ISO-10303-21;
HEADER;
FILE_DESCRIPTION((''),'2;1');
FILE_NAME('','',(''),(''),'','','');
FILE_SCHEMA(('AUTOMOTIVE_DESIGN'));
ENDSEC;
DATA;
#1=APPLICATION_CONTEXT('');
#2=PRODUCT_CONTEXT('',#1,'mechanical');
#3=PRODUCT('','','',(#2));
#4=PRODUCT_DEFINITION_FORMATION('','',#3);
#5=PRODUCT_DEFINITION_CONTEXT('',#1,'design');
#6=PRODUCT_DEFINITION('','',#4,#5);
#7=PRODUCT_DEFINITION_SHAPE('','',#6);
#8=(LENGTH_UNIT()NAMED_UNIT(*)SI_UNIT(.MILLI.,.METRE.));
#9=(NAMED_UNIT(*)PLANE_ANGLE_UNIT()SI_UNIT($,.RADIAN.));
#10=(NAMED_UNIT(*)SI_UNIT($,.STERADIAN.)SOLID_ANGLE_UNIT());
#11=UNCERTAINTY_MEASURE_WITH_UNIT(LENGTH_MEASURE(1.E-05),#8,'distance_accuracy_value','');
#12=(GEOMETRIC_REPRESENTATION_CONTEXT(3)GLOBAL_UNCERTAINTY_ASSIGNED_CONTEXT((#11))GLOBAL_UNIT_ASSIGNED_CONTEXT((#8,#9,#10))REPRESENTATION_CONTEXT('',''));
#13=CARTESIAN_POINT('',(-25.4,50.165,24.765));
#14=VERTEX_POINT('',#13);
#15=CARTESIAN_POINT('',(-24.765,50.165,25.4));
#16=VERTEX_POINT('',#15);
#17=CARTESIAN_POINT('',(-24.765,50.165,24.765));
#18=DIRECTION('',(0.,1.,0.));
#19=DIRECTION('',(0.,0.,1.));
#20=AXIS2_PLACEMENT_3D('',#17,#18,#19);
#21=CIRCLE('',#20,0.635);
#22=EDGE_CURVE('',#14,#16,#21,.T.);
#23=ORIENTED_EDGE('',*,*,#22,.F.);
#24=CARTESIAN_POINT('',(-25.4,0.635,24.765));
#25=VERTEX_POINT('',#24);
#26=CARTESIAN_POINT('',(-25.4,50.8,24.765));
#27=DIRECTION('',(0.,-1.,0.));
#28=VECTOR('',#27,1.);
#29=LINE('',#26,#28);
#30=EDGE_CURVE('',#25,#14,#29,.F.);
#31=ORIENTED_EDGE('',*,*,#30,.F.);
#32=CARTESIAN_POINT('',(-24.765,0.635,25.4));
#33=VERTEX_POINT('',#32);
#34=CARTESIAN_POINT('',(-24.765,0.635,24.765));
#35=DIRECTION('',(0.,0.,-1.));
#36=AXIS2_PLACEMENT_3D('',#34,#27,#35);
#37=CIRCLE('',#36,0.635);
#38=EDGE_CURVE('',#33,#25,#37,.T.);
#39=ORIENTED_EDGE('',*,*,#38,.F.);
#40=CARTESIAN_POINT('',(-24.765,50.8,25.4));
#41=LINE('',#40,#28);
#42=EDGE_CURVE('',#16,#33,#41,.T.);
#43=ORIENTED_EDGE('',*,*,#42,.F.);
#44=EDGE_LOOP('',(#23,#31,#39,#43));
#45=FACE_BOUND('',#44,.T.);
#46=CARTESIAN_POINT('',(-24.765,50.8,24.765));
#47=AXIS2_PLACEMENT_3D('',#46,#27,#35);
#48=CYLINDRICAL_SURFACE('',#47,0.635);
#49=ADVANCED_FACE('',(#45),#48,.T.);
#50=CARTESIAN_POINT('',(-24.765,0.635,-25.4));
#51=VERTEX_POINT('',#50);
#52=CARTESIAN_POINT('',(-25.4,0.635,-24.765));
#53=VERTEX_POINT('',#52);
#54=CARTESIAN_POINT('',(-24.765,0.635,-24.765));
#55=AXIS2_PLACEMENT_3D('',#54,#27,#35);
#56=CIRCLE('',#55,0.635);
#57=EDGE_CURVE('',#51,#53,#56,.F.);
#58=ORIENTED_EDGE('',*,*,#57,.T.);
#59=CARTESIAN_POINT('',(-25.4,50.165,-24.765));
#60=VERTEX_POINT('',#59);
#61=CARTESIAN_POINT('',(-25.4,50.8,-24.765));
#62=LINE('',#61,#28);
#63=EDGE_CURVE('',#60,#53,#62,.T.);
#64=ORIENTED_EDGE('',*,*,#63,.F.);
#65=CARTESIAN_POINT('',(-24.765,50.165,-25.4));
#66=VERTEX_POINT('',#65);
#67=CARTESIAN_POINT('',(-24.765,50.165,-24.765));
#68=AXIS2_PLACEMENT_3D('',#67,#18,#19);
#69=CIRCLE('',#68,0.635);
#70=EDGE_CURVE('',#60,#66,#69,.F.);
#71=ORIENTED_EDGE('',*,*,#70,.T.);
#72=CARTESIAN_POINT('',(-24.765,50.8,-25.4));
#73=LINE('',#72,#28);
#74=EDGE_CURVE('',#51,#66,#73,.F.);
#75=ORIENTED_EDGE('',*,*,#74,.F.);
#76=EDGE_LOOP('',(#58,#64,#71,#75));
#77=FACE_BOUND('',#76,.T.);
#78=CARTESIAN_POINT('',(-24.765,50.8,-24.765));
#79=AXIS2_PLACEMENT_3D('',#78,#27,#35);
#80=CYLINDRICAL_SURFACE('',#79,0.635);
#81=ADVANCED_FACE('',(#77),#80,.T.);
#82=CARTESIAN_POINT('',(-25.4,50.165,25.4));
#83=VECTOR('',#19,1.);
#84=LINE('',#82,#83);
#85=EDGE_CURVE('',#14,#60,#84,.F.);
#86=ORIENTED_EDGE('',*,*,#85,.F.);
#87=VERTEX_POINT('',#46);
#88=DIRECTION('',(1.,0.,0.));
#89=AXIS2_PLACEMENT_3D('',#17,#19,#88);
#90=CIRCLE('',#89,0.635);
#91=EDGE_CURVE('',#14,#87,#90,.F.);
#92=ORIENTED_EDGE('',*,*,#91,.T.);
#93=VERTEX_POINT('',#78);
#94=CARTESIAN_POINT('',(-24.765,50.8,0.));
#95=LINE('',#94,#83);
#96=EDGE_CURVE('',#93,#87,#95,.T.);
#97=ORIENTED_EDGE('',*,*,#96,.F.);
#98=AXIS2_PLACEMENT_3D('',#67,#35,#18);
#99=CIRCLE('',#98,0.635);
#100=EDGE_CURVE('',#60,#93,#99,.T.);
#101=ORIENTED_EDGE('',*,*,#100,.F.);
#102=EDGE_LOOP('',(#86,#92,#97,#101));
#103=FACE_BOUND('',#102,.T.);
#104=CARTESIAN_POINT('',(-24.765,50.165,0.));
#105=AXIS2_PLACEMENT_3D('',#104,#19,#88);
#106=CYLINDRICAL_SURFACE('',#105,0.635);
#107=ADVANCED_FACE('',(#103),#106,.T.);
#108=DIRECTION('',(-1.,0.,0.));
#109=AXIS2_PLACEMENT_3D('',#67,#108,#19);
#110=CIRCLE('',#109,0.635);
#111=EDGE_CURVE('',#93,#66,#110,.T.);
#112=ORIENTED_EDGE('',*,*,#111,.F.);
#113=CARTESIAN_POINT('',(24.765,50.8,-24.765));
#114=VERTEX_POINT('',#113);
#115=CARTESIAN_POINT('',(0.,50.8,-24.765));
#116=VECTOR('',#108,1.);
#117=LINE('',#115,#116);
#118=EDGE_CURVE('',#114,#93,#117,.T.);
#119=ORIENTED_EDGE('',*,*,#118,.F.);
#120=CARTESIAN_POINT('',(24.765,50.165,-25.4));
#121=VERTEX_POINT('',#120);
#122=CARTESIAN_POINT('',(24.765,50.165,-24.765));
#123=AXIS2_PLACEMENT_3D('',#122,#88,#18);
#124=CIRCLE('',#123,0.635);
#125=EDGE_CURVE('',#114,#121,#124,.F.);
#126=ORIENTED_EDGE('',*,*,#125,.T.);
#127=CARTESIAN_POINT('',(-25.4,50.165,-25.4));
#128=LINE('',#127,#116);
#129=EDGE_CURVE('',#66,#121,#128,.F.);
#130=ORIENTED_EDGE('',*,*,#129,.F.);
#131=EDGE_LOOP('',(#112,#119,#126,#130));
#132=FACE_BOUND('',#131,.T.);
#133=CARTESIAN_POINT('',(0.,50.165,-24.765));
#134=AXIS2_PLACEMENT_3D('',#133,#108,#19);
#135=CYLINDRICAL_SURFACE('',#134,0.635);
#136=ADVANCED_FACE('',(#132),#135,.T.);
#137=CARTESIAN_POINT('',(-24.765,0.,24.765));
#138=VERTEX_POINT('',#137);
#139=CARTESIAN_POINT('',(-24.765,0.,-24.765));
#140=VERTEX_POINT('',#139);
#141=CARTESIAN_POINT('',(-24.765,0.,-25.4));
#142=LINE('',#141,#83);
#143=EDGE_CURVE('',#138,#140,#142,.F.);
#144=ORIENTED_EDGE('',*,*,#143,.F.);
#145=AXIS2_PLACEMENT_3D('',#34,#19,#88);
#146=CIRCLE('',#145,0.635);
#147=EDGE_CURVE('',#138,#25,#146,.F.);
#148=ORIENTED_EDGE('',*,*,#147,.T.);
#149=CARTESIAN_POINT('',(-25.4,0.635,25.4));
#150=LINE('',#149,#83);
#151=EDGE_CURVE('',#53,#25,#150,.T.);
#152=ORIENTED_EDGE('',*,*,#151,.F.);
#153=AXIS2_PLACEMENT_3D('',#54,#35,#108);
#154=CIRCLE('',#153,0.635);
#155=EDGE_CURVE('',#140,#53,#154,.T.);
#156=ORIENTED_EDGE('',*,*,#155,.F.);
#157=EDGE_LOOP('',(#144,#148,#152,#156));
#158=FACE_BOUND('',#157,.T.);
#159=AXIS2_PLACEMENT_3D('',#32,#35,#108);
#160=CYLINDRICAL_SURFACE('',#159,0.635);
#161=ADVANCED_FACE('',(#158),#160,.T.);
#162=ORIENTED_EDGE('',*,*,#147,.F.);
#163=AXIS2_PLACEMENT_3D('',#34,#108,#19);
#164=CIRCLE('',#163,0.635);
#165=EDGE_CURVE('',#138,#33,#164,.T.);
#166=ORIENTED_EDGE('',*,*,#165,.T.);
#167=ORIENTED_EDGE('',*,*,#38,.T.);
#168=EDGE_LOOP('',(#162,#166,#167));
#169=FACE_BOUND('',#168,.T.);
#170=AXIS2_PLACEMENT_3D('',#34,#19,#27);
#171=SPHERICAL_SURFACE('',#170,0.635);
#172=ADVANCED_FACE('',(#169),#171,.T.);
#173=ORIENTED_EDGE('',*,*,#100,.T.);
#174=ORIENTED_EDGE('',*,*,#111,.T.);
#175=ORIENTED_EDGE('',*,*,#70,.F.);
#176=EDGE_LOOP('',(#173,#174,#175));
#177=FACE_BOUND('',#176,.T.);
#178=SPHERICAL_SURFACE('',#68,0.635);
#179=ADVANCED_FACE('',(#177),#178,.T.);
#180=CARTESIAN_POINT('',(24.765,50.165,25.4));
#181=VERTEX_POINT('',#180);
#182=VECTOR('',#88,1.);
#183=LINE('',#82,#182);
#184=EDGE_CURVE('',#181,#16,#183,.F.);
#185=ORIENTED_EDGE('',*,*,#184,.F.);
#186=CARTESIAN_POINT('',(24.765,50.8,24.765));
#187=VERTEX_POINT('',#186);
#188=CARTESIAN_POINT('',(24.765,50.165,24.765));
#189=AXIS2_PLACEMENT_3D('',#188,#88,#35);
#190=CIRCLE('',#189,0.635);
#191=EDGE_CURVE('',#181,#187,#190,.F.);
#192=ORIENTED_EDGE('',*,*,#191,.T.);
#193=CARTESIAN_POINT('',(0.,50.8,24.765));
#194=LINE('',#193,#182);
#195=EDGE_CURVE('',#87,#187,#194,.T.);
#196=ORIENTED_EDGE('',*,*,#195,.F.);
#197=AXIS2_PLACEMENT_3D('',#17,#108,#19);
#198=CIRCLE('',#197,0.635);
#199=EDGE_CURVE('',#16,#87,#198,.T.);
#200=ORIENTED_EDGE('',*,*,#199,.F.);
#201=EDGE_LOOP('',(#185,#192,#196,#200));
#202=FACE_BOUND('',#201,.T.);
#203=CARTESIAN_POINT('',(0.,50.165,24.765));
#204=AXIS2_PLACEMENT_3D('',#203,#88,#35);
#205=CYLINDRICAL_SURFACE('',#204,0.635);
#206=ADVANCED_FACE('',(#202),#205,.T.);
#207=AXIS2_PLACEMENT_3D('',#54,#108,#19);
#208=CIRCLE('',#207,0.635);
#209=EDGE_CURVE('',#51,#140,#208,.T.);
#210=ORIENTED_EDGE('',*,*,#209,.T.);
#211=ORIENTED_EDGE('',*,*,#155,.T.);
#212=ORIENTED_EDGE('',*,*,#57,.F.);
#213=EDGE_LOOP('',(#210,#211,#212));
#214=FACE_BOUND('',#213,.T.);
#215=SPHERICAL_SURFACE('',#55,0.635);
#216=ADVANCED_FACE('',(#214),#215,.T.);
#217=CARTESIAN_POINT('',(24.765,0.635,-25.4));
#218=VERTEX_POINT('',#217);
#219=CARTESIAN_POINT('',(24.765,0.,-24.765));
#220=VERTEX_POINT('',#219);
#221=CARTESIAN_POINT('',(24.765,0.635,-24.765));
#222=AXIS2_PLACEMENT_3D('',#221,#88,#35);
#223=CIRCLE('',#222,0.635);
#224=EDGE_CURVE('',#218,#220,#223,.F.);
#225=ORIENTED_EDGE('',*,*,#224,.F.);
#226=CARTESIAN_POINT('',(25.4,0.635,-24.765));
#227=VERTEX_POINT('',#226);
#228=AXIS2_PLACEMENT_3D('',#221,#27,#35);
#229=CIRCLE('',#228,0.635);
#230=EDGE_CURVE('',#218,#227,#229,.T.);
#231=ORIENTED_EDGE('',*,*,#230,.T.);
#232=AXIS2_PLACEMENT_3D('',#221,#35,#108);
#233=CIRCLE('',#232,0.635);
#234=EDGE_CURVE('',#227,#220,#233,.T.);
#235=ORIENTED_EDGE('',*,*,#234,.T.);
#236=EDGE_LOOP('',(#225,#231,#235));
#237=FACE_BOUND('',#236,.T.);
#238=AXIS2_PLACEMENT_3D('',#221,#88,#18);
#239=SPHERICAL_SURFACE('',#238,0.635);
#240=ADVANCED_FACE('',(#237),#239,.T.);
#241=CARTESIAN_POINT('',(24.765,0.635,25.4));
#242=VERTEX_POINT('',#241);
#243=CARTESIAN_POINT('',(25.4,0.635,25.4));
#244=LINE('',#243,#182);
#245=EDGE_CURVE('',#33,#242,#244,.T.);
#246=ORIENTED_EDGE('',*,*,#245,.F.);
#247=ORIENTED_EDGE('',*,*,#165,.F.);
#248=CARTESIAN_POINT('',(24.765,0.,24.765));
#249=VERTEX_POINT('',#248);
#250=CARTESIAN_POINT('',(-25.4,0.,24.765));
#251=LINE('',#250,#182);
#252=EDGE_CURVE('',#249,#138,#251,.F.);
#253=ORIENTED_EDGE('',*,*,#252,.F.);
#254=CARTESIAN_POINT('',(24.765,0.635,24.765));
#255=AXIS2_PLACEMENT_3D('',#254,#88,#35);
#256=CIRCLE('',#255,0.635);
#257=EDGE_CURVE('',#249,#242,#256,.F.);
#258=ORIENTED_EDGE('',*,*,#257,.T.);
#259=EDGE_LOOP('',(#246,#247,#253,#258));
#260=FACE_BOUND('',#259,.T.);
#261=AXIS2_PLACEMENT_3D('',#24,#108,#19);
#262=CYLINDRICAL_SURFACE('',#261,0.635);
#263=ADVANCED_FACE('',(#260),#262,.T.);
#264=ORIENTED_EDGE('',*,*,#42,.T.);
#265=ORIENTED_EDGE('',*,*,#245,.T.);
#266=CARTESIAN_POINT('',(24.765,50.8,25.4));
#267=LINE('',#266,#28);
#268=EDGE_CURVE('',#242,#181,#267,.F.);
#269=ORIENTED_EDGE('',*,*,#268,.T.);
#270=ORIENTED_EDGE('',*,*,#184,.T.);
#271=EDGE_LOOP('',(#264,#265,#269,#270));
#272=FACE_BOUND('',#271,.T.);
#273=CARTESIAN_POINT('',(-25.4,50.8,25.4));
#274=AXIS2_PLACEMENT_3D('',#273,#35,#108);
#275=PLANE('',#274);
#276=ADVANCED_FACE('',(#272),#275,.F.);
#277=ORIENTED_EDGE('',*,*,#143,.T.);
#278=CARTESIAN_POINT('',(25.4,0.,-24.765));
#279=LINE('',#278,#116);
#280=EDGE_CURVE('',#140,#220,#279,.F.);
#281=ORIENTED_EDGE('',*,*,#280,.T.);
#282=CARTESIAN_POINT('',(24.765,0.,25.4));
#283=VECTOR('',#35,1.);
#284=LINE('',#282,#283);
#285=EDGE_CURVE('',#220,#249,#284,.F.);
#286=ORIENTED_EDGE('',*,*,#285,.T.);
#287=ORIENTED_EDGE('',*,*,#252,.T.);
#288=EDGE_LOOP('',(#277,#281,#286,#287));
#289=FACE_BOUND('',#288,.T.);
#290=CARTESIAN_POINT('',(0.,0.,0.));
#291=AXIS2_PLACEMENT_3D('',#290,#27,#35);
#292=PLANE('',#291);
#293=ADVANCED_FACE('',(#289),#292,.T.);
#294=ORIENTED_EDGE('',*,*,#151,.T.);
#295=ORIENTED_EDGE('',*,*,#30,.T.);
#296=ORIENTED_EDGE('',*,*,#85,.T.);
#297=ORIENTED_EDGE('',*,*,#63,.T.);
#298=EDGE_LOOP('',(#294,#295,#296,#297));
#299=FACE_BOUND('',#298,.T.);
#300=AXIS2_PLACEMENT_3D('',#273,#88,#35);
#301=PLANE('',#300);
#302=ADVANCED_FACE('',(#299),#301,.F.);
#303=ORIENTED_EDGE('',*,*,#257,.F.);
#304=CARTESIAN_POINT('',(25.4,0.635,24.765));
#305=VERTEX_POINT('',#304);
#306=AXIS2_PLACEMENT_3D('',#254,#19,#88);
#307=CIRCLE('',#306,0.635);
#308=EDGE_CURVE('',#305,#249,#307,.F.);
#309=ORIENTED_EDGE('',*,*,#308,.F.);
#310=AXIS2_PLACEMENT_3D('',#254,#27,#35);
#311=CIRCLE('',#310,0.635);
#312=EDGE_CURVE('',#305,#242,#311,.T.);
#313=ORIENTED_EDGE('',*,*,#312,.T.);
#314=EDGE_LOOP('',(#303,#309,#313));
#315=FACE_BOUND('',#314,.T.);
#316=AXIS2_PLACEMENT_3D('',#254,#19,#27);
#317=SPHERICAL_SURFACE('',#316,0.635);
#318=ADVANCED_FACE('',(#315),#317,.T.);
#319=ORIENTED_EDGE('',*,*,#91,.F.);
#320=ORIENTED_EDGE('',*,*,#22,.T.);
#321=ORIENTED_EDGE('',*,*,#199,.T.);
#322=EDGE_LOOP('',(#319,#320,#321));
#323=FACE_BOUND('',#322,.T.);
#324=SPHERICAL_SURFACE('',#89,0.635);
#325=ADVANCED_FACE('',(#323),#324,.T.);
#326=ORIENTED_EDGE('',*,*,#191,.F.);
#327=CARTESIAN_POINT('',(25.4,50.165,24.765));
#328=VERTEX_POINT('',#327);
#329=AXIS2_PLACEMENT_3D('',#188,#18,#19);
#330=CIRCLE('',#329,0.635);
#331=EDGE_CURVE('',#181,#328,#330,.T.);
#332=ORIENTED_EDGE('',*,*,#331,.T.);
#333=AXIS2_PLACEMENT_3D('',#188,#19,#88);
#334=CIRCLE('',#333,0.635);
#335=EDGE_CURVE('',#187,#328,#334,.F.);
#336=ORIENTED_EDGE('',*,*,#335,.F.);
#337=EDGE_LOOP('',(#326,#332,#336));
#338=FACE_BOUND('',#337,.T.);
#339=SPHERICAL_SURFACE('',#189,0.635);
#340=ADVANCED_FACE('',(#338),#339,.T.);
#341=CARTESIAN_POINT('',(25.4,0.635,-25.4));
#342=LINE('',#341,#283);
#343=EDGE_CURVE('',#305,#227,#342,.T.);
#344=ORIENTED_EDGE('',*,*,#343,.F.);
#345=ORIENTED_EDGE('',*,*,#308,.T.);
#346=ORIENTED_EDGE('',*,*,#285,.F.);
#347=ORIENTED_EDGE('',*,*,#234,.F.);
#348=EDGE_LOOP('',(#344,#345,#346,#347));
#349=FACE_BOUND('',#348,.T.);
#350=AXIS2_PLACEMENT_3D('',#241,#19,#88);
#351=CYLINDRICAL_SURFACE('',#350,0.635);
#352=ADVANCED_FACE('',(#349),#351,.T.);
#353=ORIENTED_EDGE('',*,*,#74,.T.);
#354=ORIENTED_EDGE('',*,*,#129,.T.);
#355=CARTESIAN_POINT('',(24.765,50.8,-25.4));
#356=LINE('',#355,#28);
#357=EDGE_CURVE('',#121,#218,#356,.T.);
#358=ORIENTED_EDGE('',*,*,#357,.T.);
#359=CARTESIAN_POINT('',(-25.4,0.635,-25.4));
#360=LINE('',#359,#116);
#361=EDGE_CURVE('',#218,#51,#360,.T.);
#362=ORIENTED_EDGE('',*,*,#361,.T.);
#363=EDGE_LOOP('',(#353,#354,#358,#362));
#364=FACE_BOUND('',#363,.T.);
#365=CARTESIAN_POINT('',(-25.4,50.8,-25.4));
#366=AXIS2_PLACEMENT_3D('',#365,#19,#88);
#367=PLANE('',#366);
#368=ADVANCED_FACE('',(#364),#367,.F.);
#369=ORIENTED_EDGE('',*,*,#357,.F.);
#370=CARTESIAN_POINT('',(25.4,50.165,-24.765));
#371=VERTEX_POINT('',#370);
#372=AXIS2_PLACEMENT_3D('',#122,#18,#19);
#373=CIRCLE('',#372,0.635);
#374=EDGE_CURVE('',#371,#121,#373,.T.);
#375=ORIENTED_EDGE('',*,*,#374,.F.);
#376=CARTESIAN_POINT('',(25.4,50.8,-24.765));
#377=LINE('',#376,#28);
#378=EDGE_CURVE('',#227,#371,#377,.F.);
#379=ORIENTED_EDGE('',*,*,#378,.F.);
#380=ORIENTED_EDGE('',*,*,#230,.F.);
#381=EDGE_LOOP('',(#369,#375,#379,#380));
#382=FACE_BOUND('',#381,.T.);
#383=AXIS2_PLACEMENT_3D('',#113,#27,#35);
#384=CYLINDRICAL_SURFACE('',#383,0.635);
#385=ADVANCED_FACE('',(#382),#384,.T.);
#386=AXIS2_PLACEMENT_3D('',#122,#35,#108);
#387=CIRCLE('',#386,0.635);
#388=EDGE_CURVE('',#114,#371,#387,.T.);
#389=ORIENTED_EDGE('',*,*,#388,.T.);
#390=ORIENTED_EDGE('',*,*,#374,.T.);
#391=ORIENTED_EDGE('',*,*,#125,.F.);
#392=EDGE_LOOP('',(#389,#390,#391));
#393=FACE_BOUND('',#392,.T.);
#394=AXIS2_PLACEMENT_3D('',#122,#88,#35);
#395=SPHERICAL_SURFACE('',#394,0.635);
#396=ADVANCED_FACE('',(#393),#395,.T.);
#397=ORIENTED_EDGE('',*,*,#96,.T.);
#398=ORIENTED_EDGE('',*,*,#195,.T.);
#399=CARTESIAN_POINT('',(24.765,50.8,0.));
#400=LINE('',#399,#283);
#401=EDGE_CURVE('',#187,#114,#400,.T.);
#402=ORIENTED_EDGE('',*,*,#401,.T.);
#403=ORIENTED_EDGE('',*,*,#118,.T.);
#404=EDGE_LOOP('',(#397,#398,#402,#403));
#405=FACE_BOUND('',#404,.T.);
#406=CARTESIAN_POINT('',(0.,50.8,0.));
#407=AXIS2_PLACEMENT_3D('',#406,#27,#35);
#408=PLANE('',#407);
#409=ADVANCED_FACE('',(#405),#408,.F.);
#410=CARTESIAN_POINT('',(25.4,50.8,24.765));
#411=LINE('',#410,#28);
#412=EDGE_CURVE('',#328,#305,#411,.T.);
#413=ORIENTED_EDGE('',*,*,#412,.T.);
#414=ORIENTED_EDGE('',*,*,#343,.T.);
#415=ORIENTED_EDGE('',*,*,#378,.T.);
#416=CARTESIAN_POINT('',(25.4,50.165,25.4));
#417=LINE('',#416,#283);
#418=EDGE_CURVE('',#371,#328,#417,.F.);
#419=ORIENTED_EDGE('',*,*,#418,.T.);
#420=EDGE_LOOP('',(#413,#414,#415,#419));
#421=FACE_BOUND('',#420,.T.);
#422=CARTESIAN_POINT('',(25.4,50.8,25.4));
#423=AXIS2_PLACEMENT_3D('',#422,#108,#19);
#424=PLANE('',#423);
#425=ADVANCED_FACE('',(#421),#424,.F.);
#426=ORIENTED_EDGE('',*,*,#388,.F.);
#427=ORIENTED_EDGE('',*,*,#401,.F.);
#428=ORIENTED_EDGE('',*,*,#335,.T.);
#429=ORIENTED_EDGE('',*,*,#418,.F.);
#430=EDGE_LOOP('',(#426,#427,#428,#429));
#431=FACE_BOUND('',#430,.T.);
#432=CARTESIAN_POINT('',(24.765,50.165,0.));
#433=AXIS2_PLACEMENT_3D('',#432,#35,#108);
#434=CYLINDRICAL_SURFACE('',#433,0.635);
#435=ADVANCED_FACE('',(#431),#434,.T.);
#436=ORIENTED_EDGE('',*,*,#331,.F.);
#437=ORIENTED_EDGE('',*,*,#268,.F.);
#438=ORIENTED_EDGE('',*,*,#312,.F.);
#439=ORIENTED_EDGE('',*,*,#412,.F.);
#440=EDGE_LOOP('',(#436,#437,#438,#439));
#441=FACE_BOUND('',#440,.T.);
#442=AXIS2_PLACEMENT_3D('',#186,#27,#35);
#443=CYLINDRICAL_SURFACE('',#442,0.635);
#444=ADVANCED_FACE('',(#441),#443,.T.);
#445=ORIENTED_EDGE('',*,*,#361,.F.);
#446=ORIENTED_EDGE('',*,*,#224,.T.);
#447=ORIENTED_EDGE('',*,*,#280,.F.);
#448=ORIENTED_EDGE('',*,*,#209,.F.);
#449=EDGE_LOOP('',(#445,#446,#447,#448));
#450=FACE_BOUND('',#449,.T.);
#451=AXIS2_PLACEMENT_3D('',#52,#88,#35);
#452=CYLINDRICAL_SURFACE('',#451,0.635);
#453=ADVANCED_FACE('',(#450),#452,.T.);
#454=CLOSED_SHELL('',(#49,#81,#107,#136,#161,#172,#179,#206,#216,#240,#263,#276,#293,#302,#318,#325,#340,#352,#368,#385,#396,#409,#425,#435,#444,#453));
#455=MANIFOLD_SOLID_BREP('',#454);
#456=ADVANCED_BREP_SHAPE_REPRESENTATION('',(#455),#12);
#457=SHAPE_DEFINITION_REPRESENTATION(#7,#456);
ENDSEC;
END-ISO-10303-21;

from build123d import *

# Parameters (mm, degrees)
SKETCH1_W           = 50.8
SKETCH1_H           = 50.8
BOSS_EXTRUDE1_DEPTH = 50.8
FILLET1_R           = 0.635


with BuildPart() as part:
    # Sketch1 → Boss-Extrude1 (new body)
    with BuildSketch(Plane(origin=(0, 0, 0), x_dir=(1, 0, 0), z_dir=(0, 1, 0))):
        Rectangle(SKETCH1_W, SKETCH1_H)
    extrude(amount=BOSS_EXTRUDE1_DEPTH)

    # Fillet1
    fillet1_edges = [part.edges().sort_by_distance(p)[0] for p in [
        (-25.4, 50.8, 0),
        (0, 50.8, 25.4),
        (25.4, 50.8, 0),
        (0, 0, 25.4),
        (-25.4, 0, 0),
        (0, 0, -25.4),
        (25.4, 0, 0),
        (25.4, 25.4, 25.4),
        (-25.4, 25.4, 25.4),
        (-25.4, 25.4, -25.4),
        (25.4, 25.4, -25.4),
        (0, 50.8, -25.4),
    ]]
    fillet(fillet1_edges, radius=FILLET1_R)


solid = part.part
